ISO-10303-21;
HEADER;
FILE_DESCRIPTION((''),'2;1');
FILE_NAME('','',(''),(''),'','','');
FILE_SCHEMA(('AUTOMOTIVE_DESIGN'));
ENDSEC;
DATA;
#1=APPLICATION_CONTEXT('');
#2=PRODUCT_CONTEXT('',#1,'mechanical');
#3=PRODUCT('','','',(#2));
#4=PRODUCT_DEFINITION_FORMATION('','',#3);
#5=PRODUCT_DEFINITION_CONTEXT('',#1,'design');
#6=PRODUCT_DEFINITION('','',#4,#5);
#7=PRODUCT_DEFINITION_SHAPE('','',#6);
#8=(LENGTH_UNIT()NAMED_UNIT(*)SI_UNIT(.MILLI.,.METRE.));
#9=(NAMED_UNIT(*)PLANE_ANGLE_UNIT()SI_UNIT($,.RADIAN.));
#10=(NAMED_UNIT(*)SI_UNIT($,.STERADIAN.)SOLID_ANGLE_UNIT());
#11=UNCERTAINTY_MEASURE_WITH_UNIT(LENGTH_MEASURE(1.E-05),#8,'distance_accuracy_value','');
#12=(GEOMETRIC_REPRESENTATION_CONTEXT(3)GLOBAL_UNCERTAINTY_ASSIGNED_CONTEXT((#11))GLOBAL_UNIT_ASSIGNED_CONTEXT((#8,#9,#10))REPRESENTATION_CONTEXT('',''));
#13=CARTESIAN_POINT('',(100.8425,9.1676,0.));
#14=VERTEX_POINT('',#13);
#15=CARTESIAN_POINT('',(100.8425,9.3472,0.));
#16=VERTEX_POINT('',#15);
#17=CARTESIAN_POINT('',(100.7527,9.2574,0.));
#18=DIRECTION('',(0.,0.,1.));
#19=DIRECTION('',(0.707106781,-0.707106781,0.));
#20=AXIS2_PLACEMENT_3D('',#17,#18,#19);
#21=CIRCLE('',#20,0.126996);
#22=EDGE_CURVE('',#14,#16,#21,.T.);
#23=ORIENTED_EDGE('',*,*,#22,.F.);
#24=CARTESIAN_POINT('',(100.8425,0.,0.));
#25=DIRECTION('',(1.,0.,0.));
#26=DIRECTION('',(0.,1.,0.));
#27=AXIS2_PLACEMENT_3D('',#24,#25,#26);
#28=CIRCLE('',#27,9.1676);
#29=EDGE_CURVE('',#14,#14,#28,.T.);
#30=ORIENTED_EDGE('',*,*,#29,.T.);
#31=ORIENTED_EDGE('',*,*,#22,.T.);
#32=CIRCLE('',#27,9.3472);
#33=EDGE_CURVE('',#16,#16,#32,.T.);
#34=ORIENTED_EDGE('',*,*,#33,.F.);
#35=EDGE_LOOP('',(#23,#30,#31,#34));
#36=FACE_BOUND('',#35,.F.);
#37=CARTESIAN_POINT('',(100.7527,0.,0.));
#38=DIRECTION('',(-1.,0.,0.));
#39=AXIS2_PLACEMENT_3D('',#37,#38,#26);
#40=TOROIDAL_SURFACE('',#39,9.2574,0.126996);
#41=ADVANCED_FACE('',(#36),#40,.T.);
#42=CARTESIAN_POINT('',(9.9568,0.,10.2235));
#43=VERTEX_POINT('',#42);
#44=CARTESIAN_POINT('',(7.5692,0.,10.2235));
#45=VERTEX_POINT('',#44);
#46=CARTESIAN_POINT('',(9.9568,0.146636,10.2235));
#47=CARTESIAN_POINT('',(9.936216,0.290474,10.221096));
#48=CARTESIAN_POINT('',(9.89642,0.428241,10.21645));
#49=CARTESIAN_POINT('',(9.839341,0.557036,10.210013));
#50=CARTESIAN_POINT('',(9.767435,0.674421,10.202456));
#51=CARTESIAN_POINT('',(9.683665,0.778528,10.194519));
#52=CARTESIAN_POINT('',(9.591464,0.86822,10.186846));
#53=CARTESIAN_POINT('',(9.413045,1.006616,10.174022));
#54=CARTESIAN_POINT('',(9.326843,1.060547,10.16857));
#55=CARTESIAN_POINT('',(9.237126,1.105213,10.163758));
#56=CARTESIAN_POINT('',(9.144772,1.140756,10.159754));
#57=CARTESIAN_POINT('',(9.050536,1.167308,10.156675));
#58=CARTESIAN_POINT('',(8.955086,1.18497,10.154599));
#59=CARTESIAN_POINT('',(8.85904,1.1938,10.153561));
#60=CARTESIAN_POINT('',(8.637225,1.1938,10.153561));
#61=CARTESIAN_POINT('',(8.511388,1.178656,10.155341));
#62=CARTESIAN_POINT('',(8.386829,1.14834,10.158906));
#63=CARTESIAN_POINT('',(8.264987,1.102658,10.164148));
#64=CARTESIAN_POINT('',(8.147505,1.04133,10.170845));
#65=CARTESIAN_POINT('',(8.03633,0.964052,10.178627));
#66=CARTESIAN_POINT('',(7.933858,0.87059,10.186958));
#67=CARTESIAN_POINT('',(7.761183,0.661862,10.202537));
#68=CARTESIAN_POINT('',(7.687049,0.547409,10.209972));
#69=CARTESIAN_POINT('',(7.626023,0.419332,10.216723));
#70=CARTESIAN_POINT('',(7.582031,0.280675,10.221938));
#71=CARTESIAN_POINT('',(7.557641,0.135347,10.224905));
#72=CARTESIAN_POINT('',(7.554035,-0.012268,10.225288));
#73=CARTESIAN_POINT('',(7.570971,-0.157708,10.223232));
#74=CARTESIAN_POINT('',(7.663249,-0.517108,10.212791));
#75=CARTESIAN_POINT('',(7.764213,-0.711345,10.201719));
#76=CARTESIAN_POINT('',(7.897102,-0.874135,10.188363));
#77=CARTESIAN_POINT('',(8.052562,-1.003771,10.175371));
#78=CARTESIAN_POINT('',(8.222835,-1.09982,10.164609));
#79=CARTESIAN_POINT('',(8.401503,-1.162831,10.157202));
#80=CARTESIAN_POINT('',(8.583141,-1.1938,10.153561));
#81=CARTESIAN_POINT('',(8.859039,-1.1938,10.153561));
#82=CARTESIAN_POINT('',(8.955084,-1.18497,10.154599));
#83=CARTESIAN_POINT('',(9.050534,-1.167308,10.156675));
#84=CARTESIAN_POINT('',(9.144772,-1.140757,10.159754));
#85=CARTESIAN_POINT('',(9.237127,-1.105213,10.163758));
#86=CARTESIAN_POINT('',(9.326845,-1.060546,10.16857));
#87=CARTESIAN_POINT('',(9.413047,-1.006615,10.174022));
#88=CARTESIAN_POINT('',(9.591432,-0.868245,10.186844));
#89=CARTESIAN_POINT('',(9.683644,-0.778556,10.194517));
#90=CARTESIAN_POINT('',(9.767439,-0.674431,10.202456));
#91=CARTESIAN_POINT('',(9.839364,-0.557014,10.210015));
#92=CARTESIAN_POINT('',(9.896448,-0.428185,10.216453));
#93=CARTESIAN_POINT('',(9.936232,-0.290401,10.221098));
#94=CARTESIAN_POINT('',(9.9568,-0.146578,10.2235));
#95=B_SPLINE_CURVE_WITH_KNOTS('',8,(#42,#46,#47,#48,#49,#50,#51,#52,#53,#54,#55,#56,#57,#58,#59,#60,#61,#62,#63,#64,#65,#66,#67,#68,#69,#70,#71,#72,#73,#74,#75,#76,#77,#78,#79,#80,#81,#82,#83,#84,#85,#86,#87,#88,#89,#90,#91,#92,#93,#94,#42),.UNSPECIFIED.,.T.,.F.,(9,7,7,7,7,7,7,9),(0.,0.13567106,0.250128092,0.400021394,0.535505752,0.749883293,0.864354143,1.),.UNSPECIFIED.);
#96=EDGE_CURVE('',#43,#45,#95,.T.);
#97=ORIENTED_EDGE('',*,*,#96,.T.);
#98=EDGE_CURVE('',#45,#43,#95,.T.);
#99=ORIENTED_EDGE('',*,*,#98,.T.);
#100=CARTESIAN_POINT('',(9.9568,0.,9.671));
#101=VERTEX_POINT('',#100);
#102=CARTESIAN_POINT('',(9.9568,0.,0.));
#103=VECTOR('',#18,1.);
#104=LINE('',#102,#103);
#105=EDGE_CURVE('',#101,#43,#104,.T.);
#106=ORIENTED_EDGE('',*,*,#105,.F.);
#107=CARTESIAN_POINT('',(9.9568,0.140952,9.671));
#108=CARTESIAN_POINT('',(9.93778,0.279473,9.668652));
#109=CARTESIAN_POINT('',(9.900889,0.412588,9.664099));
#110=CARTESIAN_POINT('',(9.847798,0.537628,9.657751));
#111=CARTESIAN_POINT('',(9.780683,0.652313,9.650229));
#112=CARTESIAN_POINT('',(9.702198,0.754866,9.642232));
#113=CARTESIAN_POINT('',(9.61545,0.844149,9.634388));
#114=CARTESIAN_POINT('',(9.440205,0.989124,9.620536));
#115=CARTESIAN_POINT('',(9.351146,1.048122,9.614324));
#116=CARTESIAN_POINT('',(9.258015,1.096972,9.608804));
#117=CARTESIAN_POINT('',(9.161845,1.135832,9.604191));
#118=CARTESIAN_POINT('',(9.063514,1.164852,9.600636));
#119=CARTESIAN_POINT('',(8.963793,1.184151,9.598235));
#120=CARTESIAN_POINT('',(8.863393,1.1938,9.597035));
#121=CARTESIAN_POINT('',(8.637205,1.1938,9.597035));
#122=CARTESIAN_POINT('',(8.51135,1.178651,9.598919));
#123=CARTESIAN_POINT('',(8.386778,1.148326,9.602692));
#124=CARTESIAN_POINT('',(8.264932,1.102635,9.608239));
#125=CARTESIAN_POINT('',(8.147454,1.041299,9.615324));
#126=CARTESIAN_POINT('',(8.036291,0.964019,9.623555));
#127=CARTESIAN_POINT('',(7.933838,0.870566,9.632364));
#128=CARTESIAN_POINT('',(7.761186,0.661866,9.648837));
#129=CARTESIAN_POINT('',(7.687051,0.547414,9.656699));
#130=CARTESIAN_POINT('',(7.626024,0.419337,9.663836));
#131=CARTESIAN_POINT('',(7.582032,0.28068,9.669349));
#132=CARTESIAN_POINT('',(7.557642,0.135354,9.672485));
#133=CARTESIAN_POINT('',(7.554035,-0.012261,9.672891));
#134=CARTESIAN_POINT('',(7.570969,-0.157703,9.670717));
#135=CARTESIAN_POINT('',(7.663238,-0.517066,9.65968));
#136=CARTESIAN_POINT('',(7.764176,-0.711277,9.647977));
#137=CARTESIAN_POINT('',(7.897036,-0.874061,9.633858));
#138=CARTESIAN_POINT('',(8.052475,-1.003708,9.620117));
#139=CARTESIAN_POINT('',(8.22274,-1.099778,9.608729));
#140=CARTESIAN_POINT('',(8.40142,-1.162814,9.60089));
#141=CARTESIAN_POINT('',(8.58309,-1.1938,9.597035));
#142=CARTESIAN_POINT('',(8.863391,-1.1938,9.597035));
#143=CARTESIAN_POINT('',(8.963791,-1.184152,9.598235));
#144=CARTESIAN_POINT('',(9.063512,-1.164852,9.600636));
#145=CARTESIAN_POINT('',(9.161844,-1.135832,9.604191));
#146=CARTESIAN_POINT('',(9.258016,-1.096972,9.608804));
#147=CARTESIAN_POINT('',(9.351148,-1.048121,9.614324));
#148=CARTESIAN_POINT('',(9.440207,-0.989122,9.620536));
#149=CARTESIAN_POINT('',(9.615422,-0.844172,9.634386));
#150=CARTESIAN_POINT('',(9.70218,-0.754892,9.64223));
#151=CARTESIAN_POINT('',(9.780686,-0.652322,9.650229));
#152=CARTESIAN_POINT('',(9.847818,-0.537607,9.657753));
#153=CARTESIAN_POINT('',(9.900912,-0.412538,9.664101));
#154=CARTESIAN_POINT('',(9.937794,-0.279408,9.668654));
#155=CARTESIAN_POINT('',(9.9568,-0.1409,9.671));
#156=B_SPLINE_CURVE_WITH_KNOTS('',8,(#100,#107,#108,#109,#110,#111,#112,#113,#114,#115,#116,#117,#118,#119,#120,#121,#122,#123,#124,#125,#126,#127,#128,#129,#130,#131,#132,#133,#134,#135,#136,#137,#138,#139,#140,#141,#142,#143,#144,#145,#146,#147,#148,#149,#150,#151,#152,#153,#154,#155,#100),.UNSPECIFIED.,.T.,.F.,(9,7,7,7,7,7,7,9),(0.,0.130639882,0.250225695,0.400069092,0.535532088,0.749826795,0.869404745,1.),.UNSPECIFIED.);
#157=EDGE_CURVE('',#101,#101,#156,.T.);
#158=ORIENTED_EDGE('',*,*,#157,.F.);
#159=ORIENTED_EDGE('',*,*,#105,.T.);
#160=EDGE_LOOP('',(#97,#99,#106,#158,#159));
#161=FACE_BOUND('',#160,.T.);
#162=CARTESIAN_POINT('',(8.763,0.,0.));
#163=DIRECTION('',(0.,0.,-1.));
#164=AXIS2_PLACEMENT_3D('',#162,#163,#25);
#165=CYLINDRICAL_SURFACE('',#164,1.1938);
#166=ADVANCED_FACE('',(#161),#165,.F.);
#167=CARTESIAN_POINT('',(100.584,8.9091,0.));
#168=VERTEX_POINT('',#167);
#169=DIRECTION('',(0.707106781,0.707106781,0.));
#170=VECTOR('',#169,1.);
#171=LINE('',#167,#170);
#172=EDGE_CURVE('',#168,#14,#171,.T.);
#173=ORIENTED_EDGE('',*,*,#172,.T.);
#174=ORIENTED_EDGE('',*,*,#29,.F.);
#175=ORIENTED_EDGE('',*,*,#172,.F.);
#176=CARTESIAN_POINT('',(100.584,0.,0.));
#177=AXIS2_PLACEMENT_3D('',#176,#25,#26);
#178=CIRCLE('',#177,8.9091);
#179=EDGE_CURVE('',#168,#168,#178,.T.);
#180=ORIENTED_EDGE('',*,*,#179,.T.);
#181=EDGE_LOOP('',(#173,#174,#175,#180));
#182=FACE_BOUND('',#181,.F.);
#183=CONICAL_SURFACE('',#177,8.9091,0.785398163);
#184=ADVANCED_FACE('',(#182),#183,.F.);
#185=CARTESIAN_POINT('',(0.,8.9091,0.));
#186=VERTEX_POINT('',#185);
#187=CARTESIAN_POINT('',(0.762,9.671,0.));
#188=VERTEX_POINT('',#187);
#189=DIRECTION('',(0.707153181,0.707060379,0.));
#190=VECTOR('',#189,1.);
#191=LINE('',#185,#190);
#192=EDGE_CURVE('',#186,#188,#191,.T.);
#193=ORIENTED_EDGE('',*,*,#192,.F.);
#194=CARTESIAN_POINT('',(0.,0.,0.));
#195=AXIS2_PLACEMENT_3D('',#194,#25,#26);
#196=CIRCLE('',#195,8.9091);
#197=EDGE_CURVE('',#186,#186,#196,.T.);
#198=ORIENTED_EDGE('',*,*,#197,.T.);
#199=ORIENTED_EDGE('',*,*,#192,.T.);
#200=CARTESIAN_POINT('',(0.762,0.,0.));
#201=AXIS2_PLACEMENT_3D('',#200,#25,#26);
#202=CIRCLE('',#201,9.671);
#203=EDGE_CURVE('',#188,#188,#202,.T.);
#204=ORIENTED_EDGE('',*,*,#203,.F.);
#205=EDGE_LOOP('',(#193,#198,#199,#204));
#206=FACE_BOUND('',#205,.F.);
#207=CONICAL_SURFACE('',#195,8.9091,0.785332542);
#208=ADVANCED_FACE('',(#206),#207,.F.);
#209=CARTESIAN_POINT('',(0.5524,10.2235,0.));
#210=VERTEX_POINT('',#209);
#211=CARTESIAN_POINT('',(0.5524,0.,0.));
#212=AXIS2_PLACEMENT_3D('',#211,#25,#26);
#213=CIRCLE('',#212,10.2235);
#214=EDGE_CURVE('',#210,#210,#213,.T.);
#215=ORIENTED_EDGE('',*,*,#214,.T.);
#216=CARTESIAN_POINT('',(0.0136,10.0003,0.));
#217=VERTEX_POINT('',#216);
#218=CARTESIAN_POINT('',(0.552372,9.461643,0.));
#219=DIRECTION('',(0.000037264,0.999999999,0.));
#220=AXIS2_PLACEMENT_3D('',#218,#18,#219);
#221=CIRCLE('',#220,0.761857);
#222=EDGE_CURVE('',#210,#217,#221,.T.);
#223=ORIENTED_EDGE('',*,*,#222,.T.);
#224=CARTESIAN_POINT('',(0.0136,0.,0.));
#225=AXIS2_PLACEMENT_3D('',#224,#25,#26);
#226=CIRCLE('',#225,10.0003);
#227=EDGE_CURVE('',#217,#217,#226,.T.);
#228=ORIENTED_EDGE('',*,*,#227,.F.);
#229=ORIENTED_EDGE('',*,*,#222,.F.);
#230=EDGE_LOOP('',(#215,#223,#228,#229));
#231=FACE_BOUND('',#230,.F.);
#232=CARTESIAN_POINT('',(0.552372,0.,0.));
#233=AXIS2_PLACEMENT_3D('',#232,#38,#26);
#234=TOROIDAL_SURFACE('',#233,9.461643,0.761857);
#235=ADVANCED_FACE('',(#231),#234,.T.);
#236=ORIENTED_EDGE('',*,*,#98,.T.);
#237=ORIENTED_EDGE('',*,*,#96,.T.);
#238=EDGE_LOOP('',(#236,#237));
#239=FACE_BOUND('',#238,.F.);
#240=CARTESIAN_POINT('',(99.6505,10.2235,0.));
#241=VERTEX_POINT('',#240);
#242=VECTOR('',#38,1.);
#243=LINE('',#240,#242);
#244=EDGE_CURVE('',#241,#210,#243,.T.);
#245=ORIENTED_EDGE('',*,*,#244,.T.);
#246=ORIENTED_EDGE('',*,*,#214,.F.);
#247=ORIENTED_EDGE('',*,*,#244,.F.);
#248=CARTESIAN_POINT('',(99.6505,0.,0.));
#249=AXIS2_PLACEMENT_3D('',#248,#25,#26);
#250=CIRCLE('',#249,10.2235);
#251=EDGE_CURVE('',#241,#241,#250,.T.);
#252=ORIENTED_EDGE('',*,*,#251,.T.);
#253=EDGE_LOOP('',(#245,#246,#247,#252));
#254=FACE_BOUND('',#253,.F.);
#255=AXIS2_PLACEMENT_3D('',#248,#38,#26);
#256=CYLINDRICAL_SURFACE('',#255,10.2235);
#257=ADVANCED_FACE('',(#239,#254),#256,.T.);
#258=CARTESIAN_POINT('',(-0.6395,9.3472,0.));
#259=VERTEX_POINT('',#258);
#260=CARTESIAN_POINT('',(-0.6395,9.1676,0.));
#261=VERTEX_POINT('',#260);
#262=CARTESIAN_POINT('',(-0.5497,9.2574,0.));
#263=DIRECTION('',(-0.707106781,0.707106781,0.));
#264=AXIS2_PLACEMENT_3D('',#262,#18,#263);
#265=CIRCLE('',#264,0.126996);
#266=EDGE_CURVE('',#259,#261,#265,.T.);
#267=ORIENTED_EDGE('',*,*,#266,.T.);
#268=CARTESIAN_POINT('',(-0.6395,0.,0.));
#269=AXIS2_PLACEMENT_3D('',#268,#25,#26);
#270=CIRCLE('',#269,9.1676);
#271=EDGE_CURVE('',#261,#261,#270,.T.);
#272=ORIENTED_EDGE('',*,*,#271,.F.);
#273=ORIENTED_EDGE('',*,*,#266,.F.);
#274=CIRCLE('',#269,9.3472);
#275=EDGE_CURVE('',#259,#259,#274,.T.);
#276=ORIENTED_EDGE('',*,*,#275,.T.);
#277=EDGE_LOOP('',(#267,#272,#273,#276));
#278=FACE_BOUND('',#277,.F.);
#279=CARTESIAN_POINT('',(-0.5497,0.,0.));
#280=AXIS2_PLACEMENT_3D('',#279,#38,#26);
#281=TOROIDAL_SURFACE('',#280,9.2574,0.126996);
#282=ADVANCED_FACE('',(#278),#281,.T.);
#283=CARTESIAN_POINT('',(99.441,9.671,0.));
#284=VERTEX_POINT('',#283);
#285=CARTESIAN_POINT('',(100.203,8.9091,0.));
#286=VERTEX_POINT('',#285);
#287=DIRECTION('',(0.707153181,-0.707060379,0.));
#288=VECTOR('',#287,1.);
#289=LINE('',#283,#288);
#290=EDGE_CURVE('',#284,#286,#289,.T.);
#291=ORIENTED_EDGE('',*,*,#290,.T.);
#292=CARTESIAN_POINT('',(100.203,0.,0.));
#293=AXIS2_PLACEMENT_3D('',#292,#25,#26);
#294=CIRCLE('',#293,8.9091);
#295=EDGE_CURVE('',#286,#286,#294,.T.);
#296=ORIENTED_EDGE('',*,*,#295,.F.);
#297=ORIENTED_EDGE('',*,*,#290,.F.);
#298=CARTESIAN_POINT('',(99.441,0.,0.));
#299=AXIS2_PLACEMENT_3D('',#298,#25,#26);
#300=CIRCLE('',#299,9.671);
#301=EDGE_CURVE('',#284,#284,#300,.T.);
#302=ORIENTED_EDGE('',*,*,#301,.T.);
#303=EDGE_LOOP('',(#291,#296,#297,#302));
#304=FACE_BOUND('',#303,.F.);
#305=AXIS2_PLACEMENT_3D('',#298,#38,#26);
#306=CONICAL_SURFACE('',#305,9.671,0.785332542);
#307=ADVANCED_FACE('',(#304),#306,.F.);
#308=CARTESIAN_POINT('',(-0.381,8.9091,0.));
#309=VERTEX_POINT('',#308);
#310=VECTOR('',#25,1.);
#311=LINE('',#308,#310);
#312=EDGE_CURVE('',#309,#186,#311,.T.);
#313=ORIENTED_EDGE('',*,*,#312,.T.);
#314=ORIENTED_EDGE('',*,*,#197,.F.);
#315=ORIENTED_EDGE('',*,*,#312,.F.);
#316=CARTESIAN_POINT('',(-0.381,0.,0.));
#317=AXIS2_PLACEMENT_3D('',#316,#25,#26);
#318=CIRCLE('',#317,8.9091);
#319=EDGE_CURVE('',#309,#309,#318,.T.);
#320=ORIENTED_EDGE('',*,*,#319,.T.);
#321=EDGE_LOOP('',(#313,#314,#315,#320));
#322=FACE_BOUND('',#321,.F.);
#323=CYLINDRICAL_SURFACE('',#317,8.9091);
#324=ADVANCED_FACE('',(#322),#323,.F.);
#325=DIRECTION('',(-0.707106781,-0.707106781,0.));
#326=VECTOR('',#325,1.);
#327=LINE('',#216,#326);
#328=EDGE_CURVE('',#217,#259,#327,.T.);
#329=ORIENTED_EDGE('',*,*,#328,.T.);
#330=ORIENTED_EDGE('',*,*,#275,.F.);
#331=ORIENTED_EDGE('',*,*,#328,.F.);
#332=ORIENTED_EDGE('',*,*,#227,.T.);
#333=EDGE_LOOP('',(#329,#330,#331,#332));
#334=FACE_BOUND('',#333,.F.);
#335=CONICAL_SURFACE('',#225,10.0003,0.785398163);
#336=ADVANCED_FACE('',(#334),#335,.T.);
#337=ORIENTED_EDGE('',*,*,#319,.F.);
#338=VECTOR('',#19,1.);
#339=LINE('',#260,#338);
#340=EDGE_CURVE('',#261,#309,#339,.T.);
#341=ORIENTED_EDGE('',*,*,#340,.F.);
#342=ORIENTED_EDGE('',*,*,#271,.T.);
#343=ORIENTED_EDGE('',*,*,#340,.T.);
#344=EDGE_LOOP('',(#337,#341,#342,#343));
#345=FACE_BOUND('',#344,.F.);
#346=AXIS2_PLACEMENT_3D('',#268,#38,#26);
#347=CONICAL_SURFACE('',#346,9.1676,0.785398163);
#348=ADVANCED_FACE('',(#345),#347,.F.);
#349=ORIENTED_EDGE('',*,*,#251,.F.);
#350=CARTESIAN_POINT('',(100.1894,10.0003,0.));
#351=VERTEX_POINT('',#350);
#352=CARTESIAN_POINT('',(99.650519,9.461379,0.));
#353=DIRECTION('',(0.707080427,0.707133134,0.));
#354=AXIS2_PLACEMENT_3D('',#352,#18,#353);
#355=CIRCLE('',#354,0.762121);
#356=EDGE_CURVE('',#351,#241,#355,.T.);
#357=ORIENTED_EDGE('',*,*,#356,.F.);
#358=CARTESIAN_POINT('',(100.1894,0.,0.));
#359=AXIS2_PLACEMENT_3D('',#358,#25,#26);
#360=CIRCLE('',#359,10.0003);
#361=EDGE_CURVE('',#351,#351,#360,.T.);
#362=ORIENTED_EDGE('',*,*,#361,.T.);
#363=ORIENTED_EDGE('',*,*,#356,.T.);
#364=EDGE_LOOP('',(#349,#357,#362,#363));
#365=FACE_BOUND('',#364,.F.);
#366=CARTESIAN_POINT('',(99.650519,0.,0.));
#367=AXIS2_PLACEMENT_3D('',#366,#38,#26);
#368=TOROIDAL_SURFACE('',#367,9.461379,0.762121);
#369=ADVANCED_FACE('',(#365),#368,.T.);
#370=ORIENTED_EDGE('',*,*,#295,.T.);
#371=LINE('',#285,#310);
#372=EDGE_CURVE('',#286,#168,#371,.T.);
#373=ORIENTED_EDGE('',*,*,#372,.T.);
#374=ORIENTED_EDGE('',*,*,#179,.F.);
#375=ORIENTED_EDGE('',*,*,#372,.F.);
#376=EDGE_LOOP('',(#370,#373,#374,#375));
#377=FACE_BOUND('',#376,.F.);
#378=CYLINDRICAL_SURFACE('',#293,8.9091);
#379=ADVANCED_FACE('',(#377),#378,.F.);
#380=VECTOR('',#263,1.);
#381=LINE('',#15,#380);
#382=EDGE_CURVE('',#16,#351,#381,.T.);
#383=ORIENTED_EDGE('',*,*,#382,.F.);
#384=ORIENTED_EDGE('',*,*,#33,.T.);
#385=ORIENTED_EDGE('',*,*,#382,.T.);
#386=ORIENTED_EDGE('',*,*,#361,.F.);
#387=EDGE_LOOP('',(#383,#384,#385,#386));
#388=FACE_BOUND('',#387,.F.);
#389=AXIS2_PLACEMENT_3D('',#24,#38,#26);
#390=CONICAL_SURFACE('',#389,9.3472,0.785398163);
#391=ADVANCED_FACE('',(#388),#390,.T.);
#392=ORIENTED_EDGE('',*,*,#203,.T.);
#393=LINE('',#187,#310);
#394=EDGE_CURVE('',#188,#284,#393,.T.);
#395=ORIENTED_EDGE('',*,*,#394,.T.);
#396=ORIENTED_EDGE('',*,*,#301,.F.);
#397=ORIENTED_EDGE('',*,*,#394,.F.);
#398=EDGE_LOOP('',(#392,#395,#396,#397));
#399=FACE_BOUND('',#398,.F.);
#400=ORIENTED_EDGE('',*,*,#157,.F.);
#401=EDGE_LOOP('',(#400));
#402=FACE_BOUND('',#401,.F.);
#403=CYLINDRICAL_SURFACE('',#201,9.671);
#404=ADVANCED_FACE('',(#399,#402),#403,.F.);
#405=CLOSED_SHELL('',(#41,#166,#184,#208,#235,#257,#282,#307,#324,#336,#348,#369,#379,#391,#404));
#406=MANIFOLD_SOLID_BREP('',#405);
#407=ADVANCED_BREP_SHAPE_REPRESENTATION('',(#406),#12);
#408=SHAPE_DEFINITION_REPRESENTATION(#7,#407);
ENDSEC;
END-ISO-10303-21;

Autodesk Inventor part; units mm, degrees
sketch "Sketch_1" plane through (0, 0, 0) normal (0, 0, 1) x (1, 0, 0)
  line L0 (100.203, 0) -> (0, 0)
  arc A0 (-0.6395, 9.3472) -> (-0.6395, 9.1676) centre (-0.5497, 9.2574) ccw
  line L1 (-0.6395, 9.1676) -> (-0.381, 8.9091)
  line L2 (-0.381, 8.9091) -> (0, 8.9091)
  line L3 (0, 8.9091) -> (0.762, 9.671)
  line L4 (0.762, 9.671) -> (99.441, 9.671)
  line L5 (99.441, 9.671) -> (100.203, 8.9091)
  line L6 (100.203, 8.9091) -> (100.584, 8.9091)
  line L7 (100.584, 8.9091) -> (100.8425, 9.1676)
  arc A1 (100.8425, 9.1676) -> (100.8425, 9.3472) centre (100.7527, 9.2574) ccw
  line L8 (100.8425, 9.3472) -> (100.1894, 10.0003)
  arc A2 (100.1894, 10.0003) -> (99.6505, 10.2235) centre (99.6506, 9.4615) ccw
  line L9 (99.6505, 10.2235) -> (0.5524, 10.2235)
  arc A3 (0.5524, 10.2235) -> (0.0136, 10.0003) centre (0.5524, 9.4615) ccw
  line L10 (0.0136, 10.0003) -> (-0.6395, 9.3472)
revolve "Revolution1" add sketch "Sketch_1" angle 360 about axis through (100.203, 0, 0) along (1, 0, 0)
sketch "Sketch_4" plane through (0, 0, 0) normal (0, 0, 1) x (1, 0, 0)
  circle A0 centre (8.763, 0) radius 1.1938
extrude "Extrusion1" cut sketch "Sketch_4" along normal blind 10.2235
ref_plane "cp1_XY" through (50.1015, 10.2235, 0) normal (1, 0, 0) x (0, 0, -1)
ref_plane "cp1_YZ" through (50.1015, 10.2235, 0) normal (0, 0, -1) x (0, 1, 0)
ref_plane "cp1_ZX" through (50.1015, 10.2235, 0) normal (0, 1, 0) x (1, 0, 0)
ref_plane "cp2_XY" through (50.1015, 0, -10.2235) normal (1, 0, 0) x (0, 0, -1)
ref_plane "cp2_YZ" through (50.1015, 0, -10.2235) normal (0, 0, -1) x (0, 1, 0)
ref_plane "cp2_ZX" through (50.1015, 0, -10.2235) normal (0, 1, 0) x (1, 0, 0)
ref_plane "cp3_XY" through (50.1015, -10.2235, 0) normal (1, 0, 0) x (0, 0, -1)
ref_plane "cp3_YZ" through (50.1015, -10.2235, 0) normal (0, 0, -1) x (0, 1, 0)
ref_plane "cp3_ZX" through (50.1015, -10.2235, 0) normal (0, 1, 0) x (1, 0, 0)
ref_plane "cp4_XY" through (50.1015, 0, 10.2235) normal (1, 0, 0) x (0, 0, -1)
ref_plane "cp4_YZ" through (50.1015, 0, 10.2235) normal (0, 0, -1) x (0, 1, 0)
ref_plane "cp4_ZX" through (50.1015, 0, 10.2235) normal (0, 1, 0) x (1, 0, 0)
ref_plane "tube_front_XY" through (0, 0, 0) normal (1, 0, 0) x (0, 0, -1)
ref_plane "tube_front_YZ" through (0, 0, 0) normal (0, 0, -1) x (0, 1, 0)
ref_plane "tube_front_ZX" through (0, 0, 0) normal (0, 1, 0) x (1, 0, 0)
ref_plane "tube_rear_XY" through (100.203, 0, 0) normal (1, 0, 0) x (0, 0, -1)
ref_plane "tube_rear_YZ" through (100.203, 0, 0) normal (0, 0, -1) x (0, 1, 0)
ref_plane "tube_rear_ZX" through (100.203, 0, 0) normal (0, 1, 0) x (1, 0, 0)
properties part number "04-3.9452C" material "Stainless Steel"
